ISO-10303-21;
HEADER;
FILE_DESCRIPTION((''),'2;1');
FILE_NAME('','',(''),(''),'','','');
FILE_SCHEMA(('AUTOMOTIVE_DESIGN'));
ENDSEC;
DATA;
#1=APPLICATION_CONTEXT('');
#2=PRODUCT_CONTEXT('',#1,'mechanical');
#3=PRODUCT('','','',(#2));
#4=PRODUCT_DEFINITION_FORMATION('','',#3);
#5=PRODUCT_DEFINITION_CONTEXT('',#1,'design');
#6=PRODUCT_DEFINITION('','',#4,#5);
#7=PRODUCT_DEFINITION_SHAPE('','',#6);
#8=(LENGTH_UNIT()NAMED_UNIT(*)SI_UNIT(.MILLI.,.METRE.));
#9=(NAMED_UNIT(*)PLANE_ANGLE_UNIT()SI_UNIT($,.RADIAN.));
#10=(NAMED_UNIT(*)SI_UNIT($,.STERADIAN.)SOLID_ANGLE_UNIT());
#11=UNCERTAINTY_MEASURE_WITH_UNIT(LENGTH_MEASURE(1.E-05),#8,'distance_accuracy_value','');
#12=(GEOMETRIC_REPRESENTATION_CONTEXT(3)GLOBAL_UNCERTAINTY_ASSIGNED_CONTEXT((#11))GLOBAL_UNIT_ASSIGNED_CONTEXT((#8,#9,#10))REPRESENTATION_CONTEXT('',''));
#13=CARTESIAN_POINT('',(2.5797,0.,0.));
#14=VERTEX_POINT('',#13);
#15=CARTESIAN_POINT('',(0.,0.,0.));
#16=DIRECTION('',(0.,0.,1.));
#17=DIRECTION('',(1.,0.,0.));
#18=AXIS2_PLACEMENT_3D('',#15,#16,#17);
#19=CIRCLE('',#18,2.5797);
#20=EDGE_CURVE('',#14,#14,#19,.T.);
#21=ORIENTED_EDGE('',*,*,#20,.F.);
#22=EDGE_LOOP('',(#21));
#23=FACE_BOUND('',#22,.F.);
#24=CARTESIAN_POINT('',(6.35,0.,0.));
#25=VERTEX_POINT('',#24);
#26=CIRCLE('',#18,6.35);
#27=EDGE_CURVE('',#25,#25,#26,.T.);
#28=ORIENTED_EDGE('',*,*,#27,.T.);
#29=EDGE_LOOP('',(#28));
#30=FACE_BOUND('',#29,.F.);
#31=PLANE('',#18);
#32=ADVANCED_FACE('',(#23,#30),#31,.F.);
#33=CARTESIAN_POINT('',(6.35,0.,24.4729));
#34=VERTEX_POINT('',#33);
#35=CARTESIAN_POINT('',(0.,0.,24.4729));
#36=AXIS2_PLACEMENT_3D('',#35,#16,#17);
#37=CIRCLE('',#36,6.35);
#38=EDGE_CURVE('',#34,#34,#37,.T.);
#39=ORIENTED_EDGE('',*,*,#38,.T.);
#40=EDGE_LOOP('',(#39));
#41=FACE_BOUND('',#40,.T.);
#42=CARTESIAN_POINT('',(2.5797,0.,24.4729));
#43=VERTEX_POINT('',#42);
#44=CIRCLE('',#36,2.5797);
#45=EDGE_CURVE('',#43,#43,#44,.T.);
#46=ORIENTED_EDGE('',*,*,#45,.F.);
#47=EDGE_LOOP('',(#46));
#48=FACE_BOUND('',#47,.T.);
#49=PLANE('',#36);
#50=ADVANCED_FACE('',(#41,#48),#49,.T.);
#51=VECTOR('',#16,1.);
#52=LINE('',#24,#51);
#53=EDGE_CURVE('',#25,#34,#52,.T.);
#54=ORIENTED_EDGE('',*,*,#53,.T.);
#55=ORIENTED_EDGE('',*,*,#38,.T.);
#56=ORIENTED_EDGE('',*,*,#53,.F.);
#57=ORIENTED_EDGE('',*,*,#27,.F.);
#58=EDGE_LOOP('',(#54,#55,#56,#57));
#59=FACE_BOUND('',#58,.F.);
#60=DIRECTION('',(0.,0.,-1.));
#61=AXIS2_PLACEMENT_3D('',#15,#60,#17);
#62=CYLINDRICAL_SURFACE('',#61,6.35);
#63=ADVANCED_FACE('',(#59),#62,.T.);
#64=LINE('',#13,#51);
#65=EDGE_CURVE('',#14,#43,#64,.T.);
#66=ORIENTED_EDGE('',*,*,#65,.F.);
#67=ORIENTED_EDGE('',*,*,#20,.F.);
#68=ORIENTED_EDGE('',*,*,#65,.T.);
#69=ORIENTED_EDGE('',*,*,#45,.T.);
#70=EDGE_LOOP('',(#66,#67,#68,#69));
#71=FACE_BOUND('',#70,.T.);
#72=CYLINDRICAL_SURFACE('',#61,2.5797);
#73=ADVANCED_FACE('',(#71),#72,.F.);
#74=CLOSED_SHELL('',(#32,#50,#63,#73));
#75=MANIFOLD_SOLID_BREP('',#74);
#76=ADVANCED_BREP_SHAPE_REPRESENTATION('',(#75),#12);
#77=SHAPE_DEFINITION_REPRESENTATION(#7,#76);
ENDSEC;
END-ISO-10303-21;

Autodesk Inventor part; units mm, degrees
ref_plane "YZ Plane" through (0, 0, 0) normal (1, 0, 0) x (0, 1, 0)
ref_plane "XZ Plane" through (0, 0, 0) normal (0, 1, 0) x (-1, 0, 0)
ref_plane "XY Plane" through (0, 0, 0) normal (0, 0, 1) x (1, 0, 0)
sketch "Sketch1" plane through (0, 0, 0) normal (0, 0, 1) x (1, 0, 0)
  circle A0 centre (0, 0) radius 2.5797
  circle A1 centre (0, 0) radius 6.35
  dimension "d0" = 5.1594
  dimension "d1" = 12.7
extrude "Extrusion1" add sketch "Sketch1" along normal blind 24.4729
properties part number "I'm not awake enough to be making churros"
